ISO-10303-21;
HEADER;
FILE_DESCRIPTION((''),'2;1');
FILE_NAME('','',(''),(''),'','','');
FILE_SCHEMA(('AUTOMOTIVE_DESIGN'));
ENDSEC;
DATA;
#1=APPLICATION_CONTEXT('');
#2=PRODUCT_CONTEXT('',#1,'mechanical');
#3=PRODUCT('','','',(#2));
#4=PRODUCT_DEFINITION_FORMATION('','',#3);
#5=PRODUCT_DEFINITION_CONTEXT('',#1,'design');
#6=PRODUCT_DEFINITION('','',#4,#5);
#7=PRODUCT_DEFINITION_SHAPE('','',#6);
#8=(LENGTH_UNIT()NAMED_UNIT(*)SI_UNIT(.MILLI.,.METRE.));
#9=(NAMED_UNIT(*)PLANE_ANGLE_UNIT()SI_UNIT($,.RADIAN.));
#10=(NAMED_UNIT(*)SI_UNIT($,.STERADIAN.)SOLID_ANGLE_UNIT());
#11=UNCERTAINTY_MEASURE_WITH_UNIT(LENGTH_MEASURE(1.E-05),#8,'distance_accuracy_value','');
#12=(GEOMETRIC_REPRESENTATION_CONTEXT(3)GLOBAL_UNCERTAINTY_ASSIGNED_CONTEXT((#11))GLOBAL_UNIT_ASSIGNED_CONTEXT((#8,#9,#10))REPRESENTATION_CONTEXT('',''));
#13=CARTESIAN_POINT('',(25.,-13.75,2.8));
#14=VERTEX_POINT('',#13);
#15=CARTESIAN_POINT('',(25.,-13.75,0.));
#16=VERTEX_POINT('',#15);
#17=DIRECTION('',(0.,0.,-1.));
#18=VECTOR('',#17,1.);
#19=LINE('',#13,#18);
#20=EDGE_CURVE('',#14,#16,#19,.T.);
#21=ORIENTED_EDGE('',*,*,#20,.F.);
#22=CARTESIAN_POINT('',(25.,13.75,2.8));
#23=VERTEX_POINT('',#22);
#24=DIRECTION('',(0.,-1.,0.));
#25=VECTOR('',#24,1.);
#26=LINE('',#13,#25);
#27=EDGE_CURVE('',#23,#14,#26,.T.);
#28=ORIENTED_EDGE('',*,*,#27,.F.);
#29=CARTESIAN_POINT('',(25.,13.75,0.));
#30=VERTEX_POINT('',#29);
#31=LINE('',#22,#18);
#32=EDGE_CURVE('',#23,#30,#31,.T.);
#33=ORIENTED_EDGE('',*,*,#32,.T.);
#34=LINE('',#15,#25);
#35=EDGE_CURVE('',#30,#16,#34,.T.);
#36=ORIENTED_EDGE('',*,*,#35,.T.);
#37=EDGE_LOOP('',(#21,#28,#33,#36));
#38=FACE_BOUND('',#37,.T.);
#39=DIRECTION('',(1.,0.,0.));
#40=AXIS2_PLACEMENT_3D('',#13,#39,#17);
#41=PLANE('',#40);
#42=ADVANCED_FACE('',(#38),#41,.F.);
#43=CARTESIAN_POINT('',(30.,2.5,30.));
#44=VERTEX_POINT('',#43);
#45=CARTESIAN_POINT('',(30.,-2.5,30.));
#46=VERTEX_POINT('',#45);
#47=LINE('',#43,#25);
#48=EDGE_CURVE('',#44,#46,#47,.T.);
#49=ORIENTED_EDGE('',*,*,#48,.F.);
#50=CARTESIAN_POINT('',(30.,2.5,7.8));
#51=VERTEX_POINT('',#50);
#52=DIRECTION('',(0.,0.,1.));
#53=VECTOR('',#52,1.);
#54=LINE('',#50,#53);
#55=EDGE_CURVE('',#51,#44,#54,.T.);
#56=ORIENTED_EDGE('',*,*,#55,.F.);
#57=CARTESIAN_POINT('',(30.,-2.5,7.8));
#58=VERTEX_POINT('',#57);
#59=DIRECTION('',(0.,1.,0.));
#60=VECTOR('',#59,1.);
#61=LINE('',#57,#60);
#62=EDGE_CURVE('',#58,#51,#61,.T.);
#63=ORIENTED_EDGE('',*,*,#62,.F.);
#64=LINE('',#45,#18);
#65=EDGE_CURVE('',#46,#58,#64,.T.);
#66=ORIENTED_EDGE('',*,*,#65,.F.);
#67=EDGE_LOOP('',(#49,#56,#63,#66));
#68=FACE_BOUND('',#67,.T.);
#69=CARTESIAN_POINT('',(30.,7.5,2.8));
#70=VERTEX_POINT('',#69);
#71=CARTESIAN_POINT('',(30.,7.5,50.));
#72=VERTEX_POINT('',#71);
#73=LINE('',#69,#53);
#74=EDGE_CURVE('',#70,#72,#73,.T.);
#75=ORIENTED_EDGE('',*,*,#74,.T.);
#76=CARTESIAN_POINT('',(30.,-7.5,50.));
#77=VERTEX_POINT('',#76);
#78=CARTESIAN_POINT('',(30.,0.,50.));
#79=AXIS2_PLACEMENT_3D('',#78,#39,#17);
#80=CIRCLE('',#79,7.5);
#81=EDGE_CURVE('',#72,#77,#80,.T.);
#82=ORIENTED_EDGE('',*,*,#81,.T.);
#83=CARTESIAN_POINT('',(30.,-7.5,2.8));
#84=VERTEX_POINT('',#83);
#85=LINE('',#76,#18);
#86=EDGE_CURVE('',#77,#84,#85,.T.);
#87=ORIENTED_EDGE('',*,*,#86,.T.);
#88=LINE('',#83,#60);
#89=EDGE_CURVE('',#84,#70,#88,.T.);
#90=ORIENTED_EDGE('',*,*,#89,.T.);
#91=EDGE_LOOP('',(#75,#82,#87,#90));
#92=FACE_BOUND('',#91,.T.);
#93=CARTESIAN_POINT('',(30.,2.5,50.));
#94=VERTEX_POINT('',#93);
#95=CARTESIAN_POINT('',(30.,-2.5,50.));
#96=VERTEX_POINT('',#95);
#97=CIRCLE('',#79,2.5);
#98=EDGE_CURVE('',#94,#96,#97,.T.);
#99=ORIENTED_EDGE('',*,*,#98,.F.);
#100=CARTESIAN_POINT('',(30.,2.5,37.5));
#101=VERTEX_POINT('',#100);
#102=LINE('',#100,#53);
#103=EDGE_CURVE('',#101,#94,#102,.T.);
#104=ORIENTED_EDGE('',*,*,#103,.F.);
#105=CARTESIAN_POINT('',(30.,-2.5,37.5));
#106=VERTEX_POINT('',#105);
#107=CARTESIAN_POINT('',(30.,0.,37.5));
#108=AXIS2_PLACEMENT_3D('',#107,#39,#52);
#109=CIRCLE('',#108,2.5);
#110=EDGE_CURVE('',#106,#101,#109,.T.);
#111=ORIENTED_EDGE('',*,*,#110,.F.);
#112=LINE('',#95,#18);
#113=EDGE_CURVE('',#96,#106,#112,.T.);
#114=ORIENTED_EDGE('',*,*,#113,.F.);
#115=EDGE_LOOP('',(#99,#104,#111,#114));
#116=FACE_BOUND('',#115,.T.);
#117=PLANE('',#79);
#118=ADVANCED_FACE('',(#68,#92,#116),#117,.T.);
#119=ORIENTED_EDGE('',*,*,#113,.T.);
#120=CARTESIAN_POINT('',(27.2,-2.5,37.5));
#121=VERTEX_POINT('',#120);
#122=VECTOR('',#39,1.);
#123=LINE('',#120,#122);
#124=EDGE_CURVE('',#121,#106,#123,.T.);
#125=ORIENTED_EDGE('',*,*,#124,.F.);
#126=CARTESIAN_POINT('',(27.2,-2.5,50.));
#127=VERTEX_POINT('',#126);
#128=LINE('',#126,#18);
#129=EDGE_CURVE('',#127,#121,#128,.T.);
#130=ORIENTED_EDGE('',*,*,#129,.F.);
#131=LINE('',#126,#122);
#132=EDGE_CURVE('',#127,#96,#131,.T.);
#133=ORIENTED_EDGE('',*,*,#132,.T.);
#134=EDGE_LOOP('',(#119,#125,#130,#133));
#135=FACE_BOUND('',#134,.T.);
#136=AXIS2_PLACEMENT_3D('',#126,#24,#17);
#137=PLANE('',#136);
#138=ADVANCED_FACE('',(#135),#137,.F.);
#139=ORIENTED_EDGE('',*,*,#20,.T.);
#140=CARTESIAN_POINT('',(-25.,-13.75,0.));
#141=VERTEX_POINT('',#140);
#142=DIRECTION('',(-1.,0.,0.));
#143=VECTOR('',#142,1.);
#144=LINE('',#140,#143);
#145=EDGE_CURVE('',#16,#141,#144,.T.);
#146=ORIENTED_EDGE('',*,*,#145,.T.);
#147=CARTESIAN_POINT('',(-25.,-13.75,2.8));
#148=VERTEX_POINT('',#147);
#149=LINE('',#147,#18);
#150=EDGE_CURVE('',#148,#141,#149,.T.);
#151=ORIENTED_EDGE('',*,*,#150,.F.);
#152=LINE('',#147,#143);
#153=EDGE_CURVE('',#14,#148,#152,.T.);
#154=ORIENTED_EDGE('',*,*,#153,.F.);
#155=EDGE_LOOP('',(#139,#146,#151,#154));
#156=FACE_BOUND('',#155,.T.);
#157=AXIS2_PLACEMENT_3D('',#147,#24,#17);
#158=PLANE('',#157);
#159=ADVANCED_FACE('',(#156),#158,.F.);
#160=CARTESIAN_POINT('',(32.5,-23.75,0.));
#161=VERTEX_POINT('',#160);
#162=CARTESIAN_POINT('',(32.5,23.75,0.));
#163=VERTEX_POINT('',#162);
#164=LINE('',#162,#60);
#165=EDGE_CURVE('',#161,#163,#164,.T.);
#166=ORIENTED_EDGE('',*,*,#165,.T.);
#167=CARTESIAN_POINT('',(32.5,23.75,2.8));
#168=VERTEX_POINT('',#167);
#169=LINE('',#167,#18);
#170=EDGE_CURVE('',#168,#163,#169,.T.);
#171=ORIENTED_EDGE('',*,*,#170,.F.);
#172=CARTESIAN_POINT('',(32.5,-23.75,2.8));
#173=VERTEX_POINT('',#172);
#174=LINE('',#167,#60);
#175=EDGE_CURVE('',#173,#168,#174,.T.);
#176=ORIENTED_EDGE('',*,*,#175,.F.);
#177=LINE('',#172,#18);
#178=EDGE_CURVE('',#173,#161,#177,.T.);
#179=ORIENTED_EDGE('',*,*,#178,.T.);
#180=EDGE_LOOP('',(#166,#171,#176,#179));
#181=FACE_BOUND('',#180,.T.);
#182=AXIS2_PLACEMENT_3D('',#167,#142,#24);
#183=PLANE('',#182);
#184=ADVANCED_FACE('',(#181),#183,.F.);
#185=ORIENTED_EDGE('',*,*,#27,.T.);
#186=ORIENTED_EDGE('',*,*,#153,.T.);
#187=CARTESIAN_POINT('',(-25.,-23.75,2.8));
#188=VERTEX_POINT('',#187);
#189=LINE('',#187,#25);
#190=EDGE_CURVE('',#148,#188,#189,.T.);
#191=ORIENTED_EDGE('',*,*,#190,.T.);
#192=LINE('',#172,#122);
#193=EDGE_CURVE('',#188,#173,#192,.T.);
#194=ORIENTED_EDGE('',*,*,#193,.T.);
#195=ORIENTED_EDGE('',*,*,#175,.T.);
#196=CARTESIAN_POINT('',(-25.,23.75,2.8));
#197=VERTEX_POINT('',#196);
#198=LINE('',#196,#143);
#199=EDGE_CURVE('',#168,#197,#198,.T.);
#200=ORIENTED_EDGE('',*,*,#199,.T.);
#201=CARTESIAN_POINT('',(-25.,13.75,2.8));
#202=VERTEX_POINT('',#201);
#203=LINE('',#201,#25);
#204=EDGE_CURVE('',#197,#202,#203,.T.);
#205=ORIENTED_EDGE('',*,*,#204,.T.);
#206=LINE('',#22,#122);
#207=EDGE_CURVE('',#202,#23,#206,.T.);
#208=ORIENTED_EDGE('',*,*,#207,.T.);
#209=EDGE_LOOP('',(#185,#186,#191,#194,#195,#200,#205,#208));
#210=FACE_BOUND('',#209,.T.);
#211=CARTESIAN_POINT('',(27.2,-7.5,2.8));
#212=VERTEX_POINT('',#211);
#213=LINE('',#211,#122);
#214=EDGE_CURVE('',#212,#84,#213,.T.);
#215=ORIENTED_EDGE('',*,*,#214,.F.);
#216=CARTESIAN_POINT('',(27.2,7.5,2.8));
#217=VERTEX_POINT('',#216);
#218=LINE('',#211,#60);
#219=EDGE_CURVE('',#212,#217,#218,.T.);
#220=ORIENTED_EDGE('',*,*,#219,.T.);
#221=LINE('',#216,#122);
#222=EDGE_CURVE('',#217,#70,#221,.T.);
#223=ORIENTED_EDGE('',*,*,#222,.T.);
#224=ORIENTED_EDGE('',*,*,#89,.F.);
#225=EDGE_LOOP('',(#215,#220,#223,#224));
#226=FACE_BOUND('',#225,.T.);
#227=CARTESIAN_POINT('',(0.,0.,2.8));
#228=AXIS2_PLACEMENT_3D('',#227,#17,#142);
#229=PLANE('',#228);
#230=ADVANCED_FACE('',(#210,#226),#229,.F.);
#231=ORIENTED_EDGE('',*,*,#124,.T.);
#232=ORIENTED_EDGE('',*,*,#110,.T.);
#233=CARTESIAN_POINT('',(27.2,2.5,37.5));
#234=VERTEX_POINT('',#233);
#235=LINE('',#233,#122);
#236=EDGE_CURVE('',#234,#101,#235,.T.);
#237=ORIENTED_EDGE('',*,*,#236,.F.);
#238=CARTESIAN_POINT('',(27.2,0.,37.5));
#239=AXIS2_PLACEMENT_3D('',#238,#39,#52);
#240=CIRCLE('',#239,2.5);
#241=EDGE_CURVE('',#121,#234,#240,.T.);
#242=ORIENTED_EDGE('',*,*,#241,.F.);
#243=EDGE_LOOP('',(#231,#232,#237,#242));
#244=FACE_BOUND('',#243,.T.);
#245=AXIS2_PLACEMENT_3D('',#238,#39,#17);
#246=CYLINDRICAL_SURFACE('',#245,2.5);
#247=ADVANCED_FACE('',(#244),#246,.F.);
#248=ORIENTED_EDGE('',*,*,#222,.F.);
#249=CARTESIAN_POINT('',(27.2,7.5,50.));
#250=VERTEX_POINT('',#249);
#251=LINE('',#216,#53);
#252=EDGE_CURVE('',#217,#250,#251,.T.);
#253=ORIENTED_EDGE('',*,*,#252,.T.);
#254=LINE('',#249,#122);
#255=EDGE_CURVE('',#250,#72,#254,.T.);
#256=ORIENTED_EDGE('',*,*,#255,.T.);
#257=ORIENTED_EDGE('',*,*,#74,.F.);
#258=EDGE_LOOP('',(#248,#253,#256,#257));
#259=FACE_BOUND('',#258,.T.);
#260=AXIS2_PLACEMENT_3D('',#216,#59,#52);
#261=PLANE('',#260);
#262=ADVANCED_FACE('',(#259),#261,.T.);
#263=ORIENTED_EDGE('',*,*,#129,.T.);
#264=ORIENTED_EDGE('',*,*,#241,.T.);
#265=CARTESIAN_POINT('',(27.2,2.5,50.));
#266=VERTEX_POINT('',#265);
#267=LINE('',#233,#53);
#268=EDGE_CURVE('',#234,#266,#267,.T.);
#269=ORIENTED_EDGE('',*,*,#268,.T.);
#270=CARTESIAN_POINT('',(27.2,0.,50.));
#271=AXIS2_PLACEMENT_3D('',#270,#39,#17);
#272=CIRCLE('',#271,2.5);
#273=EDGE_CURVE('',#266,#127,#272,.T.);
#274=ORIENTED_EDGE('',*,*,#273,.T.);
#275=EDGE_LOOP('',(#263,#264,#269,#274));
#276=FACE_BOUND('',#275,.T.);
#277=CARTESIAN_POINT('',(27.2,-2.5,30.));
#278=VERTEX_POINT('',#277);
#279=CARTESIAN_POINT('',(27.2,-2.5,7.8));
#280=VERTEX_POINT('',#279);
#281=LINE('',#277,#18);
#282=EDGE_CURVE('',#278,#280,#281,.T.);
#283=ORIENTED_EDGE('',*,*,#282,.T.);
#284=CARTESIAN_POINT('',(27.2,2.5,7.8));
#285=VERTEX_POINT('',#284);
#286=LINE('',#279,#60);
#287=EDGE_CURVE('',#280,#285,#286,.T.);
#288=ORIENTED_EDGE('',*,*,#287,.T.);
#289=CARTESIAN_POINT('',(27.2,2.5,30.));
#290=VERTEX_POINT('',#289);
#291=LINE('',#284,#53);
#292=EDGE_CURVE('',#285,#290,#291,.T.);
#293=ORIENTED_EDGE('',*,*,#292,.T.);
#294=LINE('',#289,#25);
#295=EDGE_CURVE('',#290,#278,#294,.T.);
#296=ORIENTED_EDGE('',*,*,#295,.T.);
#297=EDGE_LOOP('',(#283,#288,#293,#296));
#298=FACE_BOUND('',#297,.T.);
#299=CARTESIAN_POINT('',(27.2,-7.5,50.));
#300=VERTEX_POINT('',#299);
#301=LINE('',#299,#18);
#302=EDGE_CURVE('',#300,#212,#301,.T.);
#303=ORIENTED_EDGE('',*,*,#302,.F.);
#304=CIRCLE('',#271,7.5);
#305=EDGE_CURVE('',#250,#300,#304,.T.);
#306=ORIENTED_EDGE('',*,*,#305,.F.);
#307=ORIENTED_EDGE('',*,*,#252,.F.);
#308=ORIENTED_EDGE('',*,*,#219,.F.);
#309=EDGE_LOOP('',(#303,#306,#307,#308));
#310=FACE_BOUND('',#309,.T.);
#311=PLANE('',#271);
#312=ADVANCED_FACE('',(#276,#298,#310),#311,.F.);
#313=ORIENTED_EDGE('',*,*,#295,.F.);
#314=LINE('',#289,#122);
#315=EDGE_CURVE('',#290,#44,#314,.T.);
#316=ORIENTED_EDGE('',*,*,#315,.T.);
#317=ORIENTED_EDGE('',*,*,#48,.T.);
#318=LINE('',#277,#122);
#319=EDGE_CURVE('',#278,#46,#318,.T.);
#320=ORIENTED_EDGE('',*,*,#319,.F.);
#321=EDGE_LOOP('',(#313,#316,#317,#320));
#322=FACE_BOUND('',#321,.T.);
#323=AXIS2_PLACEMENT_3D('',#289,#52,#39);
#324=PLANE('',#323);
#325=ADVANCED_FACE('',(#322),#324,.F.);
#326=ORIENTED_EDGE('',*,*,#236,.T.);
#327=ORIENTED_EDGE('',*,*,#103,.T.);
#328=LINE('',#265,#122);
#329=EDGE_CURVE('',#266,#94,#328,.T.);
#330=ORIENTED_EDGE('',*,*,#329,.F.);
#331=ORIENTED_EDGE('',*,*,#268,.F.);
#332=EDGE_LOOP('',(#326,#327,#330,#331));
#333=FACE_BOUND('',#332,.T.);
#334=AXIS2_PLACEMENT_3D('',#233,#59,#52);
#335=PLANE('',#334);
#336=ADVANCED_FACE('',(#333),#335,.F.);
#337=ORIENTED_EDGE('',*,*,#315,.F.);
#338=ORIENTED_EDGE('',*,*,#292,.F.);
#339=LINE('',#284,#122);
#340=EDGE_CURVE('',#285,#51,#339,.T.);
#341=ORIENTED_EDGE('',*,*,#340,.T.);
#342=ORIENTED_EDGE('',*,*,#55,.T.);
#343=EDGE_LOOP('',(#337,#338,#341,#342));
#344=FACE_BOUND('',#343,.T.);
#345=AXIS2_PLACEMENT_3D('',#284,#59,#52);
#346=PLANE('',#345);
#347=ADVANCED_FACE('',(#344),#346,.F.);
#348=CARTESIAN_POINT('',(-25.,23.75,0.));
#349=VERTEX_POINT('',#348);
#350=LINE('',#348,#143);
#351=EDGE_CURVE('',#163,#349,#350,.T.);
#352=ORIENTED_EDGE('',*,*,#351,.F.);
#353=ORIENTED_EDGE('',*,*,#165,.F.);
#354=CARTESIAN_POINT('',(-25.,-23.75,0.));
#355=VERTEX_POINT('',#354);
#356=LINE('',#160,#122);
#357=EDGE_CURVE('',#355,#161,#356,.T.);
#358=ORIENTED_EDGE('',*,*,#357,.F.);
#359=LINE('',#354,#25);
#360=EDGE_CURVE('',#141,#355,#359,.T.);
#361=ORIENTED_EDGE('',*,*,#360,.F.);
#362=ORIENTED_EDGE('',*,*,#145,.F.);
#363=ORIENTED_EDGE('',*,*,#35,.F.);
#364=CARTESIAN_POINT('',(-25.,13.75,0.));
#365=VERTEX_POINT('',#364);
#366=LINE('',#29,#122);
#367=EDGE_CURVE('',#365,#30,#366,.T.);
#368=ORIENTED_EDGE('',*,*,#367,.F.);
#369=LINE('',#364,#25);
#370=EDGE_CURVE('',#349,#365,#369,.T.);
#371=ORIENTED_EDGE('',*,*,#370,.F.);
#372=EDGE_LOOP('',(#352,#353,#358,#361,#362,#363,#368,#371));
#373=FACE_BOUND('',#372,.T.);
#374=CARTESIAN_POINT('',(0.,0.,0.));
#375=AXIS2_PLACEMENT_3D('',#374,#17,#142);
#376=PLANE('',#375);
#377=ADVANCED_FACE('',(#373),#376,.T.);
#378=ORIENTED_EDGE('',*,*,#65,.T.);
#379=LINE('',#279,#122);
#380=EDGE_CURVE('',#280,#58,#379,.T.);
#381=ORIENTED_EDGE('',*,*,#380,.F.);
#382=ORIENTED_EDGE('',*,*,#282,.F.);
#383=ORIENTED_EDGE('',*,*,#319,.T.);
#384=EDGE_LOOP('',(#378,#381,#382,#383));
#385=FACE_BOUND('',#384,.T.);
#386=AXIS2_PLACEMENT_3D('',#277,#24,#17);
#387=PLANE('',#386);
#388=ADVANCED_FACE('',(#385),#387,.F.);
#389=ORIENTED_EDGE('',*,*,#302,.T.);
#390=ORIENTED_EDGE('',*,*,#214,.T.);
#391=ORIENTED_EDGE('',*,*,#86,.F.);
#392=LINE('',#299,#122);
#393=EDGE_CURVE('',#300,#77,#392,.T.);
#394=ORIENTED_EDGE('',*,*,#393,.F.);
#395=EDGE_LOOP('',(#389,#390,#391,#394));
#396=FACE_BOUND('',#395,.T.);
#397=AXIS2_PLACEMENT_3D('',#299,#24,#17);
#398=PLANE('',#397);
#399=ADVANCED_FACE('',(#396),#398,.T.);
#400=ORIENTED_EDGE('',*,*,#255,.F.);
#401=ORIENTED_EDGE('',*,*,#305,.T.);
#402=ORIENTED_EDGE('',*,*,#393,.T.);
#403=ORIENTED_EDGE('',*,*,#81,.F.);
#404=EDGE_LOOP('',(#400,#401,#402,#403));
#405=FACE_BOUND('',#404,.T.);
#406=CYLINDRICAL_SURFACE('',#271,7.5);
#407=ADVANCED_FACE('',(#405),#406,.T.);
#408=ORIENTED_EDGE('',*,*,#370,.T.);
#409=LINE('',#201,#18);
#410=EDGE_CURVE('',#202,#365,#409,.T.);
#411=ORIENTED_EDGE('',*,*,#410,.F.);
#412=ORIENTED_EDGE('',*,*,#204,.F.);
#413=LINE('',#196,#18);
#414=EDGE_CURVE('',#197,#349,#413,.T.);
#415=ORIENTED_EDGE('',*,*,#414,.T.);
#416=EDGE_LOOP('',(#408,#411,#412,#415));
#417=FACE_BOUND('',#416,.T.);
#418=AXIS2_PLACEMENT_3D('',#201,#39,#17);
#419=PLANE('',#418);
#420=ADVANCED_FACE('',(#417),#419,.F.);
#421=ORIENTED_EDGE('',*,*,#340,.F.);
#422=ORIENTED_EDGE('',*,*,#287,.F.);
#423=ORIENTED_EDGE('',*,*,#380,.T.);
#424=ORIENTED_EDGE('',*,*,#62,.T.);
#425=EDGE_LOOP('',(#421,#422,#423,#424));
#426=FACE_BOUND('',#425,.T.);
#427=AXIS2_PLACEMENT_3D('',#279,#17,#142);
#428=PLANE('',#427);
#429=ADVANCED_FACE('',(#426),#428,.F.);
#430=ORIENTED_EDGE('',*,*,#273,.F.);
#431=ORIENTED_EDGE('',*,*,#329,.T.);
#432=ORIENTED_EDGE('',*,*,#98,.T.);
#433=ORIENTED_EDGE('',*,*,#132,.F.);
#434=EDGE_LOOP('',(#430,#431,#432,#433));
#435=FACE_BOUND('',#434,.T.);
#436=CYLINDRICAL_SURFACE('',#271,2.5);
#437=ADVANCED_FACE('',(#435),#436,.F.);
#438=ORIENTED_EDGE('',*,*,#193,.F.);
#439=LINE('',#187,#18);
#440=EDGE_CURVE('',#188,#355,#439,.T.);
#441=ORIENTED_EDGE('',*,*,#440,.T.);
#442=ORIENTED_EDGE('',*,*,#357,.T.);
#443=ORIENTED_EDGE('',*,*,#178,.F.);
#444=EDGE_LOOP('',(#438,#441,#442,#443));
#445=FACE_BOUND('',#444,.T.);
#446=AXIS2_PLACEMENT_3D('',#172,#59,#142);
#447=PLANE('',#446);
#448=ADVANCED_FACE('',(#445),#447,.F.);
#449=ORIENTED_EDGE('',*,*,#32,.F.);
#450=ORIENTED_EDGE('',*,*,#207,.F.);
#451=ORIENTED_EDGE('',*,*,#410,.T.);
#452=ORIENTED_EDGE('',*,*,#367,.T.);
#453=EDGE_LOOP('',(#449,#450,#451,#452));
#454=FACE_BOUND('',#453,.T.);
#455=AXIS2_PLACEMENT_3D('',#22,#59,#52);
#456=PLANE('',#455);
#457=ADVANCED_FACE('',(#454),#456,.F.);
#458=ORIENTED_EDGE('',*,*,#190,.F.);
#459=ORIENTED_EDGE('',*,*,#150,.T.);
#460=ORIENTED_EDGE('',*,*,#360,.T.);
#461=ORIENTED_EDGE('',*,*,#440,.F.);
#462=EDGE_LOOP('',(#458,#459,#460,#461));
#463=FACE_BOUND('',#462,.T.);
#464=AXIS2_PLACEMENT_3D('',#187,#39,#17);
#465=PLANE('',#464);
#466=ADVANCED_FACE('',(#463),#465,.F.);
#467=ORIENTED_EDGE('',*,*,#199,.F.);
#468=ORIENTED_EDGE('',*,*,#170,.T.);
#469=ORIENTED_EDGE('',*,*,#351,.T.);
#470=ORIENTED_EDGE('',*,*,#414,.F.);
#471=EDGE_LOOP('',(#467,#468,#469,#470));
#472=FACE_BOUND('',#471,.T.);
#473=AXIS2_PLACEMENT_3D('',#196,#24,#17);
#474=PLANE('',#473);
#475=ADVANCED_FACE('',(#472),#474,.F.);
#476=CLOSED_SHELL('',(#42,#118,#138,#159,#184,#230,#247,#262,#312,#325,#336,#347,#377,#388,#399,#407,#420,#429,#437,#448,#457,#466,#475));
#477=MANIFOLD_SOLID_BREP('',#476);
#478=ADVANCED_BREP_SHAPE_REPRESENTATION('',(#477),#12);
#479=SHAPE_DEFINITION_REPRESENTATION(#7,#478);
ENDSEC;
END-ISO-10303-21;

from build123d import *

# Parameters (mm, degrees)
BOSS_EXTRUDE1_DEPTH = 2.8
SKETCH2_W           = 22.2
SKETCH2_H           = 5
BOSS_EXTRUDE2_DEPTH = 2.8


with BuildPart() as part:
    # Sketch1 → Boss-Extrude1 (new body)
    with BuildSketch(Plane.XY):
        Polygon((-25, -13.75), (25, -13.75), (25, 13.75), (-25, 13.75), (-25, 23.75), (32.5, 23.75), (32.5, -23.75), (-25, -23.75), align=None)
    extrude(amount=BOSS_EXTRUDE1_DEPTH)

    # Sketch2 → Boss-Extrude2 (add)
    with BuildSketch(Plane(origin=(30, 0, 0), x_dir=(0, 0, -1), z_dir=(1, 0, 0))):
        with BuildLine():
            Line((-2.8, -7.5), (-2.8, 7.5))
            Line((-2.8, 7.5), (-50, 7.5))
            ThreePointArc((-50, 7.5), (-57.5, 0), (-50, -7.5))
            Line((-50, -7.5), (-2.8, -7.5))
        make_face()
        with BuildLine():
            Line((-50, -2.5), (-37.5, -2.5))
            ThreePointArc((-37.5, -2.5), (-35, 0), (-37.5, 2.5))
            Line((-37.5, 2.5), (-50, 2.5))
            ThreePointArc((-50, 2.5), (-52.5, 0), (-50, -2.5))
        make_face(mode=Mode.SUBTRACT)
        with Locations((-18.9, 0)):
            Rectangle(SKETCH2_W, SKETCH2_H, mode=Mode.SUBTRACT)
    extrude(amount=-BOSS_EXTRUDE2_DEPTH)


solid = part.part
